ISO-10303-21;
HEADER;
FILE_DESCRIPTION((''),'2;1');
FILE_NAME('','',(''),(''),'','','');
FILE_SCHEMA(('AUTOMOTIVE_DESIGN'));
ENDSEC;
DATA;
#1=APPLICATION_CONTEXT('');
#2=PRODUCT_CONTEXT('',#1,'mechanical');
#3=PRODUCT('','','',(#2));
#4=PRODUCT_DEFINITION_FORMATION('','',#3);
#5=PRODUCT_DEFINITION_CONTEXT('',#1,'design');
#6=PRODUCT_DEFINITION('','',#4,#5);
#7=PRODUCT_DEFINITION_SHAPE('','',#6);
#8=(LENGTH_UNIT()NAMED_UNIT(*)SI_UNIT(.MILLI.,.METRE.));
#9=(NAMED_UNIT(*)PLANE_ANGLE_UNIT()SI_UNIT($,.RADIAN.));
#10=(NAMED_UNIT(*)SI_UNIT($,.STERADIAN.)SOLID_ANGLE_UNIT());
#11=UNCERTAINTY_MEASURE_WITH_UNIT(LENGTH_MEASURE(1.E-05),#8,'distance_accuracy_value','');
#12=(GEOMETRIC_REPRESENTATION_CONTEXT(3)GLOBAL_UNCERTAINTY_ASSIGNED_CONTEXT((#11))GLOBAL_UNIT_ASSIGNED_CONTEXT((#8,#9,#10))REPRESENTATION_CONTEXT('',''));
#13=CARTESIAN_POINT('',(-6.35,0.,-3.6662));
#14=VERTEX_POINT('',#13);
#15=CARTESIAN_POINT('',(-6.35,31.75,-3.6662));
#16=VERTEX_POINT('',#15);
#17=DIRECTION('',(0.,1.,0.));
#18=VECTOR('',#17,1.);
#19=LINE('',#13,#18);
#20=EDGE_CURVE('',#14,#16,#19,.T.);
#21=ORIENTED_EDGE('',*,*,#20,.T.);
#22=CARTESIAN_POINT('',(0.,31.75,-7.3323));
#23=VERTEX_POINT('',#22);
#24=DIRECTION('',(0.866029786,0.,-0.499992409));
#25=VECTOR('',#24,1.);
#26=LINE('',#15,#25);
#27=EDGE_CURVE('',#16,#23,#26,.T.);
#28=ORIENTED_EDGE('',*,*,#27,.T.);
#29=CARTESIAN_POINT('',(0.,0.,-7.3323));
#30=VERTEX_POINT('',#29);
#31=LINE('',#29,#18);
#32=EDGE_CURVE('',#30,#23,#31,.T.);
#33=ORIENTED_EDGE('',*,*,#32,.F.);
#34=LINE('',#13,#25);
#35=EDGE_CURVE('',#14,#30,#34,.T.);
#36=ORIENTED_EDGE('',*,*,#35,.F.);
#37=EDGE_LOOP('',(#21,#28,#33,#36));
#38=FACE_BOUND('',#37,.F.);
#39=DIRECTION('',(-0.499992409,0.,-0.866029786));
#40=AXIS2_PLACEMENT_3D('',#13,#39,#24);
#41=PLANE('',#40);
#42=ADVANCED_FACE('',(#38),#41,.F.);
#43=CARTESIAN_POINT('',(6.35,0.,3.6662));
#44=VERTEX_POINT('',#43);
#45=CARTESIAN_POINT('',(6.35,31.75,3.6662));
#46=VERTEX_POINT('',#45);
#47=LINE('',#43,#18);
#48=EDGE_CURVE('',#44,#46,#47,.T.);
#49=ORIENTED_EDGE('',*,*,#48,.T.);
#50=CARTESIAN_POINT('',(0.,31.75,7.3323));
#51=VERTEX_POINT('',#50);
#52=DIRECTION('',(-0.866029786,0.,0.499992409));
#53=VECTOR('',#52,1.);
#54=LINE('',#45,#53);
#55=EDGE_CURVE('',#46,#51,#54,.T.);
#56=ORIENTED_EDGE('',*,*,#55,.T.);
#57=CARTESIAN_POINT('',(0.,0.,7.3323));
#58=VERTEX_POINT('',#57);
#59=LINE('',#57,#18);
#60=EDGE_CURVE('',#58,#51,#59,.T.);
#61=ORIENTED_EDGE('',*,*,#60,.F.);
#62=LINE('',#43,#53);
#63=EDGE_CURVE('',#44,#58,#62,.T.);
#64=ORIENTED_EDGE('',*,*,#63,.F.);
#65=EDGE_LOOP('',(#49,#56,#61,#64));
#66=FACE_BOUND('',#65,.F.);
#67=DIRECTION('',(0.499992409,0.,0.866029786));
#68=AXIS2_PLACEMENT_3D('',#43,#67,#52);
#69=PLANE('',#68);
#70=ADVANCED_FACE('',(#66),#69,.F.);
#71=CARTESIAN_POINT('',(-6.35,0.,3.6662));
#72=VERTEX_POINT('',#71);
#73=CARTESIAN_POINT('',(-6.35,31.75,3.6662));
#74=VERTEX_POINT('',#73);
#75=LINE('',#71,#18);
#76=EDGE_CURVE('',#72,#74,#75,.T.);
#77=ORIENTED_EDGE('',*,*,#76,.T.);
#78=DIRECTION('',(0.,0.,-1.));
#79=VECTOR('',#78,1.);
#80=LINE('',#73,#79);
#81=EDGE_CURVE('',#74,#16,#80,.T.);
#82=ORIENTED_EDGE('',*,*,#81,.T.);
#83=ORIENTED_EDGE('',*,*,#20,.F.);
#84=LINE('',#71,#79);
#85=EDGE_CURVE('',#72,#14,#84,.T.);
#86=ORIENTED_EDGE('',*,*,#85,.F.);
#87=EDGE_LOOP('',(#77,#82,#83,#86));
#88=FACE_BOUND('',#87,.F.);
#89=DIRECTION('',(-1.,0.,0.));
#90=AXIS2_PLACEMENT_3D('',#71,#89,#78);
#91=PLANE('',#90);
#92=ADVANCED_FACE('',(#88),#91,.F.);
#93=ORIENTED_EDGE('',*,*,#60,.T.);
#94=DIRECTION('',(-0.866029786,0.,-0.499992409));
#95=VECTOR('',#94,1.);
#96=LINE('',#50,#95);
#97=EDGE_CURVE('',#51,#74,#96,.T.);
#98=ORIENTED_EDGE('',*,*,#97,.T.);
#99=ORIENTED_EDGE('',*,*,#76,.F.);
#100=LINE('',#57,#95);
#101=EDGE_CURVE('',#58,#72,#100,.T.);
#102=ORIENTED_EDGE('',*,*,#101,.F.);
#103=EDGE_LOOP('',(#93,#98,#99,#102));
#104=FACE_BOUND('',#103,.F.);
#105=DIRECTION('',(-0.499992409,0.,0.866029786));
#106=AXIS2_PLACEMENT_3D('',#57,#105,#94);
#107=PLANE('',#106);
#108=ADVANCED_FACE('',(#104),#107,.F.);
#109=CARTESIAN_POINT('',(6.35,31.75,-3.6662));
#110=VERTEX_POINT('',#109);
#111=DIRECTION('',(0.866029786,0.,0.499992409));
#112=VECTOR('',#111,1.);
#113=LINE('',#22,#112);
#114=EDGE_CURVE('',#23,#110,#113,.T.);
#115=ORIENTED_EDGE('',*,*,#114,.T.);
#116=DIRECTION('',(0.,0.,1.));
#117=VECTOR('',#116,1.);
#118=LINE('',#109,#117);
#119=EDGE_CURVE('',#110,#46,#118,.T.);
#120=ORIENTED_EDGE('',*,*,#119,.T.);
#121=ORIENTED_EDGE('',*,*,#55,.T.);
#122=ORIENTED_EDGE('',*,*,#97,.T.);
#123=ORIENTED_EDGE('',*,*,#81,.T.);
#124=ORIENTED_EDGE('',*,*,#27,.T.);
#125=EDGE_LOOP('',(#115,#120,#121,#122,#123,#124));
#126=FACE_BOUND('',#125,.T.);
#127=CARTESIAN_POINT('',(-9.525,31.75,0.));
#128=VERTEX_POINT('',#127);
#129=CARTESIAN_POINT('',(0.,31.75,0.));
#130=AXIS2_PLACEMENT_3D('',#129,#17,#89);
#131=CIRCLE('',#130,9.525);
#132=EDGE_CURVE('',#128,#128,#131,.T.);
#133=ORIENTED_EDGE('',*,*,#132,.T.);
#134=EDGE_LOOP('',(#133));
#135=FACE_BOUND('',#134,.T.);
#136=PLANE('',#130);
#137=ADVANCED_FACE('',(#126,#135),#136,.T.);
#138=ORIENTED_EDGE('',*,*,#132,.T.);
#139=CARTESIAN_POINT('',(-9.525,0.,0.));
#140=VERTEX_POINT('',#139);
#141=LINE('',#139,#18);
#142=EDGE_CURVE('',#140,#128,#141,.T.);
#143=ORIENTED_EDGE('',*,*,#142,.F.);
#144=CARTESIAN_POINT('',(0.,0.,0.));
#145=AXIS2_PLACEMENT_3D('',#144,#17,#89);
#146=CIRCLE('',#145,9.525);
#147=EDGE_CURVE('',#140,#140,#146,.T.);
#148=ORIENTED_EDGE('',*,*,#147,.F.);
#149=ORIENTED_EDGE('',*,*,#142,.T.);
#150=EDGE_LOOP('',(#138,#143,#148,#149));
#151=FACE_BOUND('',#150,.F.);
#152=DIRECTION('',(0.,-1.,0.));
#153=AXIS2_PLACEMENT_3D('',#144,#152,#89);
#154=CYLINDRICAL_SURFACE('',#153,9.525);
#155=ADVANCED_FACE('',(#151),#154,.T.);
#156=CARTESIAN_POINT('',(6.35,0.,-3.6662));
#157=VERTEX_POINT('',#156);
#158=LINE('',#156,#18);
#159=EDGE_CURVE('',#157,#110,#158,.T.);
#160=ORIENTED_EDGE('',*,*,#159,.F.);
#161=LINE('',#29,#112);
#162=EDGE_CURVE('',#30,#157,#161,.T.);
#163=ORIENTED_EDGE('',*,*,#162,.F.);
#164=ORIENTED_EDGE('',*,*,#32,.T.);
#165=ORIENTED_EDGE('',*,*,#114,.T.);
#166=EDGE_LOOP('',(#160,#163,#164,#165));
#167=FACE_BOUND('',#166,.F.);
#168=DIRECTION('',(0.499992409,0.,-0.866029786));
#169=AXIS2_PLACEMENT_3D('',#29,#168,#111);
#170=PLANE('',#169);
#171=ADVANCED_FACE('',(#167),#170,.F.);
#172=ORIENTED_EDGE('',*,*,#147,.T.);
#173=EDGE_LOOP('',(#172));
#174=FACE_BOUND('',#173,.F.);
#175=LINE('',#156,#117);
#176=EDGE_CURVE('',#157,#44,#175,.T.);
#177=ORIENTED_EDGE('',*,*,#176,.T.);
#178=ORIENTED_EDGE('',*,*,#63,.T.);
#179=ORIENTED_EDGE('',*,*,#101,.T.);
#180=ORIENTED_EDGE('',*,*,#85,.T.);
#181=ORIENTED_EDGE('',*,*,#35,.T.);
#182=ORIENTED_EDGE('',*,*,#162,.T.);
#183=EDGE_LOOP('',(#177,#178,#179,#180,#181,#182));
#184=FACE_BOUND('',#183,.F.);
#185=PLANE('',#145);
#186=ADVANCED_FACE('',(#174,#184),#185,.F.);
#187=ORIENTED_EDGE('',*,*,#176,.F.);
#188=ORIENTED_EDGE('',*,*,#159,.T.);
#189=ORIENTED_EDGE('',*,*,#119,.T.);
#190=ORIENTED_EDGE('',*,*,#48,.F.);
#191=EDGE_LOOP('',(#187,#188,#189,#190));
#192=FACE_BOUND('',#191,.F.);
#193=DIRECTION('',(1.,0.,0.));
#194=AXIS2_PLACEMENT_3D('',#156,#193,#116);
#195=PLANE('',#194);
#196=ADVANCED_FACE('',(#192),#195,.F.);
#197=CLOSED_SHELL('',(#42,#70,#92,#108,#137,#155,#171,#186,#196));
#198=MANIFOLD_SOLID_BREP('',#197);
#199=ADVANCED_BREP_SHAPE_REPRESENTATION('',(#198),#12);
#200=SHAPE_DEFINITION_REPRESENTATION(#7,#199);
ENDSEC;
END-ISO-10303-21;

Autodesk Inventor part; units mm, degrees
ref_plane "YZ Plane" through (0, 0, 0) normal (1, 0, 0) x (0, 1, 0)
ref_plane "XZ Plane" through (0, 0, 0) normal (0, 1, 0) x (-1, 0, 0)
ref_plane "XY Plane" through (0, 0, 0) normal (0, 0, 1) x (1, 0, 0)
sketch "Sketch1" plane through (0, 0, 0) normal (0, 1, 0) x (-1, 0, 0)
  circle A0 centre (0, 0) radius 6.35 construction
  line L0 (6.35, -3.6662) -> (0, -7.3323)
  line L1 (0, -7.3323) -> (-6.35, -3.6662)
  line L2 (-6.35, -3.6662) -> (-6.35, 3.6662)
  line L3 (-6.35, 3.6662) -> (0, 7.3323)
  line L4 (0, 7.3323) -> (6.35, 3.6662)
  line L5 (6.35, 3.6662) -> (6.35, -3.6662)
  circle A1 centre (0, 0) radius 9.525
  point P0 (6.35, 0)
  dimension "d0" = 12.7
  dimension "d1" = 19.05
extrude "Extrusion1" add sketch "Sketch1" along normal blind 31.75
properties part number "SportGearbox_HexDiffGearSpacer"
